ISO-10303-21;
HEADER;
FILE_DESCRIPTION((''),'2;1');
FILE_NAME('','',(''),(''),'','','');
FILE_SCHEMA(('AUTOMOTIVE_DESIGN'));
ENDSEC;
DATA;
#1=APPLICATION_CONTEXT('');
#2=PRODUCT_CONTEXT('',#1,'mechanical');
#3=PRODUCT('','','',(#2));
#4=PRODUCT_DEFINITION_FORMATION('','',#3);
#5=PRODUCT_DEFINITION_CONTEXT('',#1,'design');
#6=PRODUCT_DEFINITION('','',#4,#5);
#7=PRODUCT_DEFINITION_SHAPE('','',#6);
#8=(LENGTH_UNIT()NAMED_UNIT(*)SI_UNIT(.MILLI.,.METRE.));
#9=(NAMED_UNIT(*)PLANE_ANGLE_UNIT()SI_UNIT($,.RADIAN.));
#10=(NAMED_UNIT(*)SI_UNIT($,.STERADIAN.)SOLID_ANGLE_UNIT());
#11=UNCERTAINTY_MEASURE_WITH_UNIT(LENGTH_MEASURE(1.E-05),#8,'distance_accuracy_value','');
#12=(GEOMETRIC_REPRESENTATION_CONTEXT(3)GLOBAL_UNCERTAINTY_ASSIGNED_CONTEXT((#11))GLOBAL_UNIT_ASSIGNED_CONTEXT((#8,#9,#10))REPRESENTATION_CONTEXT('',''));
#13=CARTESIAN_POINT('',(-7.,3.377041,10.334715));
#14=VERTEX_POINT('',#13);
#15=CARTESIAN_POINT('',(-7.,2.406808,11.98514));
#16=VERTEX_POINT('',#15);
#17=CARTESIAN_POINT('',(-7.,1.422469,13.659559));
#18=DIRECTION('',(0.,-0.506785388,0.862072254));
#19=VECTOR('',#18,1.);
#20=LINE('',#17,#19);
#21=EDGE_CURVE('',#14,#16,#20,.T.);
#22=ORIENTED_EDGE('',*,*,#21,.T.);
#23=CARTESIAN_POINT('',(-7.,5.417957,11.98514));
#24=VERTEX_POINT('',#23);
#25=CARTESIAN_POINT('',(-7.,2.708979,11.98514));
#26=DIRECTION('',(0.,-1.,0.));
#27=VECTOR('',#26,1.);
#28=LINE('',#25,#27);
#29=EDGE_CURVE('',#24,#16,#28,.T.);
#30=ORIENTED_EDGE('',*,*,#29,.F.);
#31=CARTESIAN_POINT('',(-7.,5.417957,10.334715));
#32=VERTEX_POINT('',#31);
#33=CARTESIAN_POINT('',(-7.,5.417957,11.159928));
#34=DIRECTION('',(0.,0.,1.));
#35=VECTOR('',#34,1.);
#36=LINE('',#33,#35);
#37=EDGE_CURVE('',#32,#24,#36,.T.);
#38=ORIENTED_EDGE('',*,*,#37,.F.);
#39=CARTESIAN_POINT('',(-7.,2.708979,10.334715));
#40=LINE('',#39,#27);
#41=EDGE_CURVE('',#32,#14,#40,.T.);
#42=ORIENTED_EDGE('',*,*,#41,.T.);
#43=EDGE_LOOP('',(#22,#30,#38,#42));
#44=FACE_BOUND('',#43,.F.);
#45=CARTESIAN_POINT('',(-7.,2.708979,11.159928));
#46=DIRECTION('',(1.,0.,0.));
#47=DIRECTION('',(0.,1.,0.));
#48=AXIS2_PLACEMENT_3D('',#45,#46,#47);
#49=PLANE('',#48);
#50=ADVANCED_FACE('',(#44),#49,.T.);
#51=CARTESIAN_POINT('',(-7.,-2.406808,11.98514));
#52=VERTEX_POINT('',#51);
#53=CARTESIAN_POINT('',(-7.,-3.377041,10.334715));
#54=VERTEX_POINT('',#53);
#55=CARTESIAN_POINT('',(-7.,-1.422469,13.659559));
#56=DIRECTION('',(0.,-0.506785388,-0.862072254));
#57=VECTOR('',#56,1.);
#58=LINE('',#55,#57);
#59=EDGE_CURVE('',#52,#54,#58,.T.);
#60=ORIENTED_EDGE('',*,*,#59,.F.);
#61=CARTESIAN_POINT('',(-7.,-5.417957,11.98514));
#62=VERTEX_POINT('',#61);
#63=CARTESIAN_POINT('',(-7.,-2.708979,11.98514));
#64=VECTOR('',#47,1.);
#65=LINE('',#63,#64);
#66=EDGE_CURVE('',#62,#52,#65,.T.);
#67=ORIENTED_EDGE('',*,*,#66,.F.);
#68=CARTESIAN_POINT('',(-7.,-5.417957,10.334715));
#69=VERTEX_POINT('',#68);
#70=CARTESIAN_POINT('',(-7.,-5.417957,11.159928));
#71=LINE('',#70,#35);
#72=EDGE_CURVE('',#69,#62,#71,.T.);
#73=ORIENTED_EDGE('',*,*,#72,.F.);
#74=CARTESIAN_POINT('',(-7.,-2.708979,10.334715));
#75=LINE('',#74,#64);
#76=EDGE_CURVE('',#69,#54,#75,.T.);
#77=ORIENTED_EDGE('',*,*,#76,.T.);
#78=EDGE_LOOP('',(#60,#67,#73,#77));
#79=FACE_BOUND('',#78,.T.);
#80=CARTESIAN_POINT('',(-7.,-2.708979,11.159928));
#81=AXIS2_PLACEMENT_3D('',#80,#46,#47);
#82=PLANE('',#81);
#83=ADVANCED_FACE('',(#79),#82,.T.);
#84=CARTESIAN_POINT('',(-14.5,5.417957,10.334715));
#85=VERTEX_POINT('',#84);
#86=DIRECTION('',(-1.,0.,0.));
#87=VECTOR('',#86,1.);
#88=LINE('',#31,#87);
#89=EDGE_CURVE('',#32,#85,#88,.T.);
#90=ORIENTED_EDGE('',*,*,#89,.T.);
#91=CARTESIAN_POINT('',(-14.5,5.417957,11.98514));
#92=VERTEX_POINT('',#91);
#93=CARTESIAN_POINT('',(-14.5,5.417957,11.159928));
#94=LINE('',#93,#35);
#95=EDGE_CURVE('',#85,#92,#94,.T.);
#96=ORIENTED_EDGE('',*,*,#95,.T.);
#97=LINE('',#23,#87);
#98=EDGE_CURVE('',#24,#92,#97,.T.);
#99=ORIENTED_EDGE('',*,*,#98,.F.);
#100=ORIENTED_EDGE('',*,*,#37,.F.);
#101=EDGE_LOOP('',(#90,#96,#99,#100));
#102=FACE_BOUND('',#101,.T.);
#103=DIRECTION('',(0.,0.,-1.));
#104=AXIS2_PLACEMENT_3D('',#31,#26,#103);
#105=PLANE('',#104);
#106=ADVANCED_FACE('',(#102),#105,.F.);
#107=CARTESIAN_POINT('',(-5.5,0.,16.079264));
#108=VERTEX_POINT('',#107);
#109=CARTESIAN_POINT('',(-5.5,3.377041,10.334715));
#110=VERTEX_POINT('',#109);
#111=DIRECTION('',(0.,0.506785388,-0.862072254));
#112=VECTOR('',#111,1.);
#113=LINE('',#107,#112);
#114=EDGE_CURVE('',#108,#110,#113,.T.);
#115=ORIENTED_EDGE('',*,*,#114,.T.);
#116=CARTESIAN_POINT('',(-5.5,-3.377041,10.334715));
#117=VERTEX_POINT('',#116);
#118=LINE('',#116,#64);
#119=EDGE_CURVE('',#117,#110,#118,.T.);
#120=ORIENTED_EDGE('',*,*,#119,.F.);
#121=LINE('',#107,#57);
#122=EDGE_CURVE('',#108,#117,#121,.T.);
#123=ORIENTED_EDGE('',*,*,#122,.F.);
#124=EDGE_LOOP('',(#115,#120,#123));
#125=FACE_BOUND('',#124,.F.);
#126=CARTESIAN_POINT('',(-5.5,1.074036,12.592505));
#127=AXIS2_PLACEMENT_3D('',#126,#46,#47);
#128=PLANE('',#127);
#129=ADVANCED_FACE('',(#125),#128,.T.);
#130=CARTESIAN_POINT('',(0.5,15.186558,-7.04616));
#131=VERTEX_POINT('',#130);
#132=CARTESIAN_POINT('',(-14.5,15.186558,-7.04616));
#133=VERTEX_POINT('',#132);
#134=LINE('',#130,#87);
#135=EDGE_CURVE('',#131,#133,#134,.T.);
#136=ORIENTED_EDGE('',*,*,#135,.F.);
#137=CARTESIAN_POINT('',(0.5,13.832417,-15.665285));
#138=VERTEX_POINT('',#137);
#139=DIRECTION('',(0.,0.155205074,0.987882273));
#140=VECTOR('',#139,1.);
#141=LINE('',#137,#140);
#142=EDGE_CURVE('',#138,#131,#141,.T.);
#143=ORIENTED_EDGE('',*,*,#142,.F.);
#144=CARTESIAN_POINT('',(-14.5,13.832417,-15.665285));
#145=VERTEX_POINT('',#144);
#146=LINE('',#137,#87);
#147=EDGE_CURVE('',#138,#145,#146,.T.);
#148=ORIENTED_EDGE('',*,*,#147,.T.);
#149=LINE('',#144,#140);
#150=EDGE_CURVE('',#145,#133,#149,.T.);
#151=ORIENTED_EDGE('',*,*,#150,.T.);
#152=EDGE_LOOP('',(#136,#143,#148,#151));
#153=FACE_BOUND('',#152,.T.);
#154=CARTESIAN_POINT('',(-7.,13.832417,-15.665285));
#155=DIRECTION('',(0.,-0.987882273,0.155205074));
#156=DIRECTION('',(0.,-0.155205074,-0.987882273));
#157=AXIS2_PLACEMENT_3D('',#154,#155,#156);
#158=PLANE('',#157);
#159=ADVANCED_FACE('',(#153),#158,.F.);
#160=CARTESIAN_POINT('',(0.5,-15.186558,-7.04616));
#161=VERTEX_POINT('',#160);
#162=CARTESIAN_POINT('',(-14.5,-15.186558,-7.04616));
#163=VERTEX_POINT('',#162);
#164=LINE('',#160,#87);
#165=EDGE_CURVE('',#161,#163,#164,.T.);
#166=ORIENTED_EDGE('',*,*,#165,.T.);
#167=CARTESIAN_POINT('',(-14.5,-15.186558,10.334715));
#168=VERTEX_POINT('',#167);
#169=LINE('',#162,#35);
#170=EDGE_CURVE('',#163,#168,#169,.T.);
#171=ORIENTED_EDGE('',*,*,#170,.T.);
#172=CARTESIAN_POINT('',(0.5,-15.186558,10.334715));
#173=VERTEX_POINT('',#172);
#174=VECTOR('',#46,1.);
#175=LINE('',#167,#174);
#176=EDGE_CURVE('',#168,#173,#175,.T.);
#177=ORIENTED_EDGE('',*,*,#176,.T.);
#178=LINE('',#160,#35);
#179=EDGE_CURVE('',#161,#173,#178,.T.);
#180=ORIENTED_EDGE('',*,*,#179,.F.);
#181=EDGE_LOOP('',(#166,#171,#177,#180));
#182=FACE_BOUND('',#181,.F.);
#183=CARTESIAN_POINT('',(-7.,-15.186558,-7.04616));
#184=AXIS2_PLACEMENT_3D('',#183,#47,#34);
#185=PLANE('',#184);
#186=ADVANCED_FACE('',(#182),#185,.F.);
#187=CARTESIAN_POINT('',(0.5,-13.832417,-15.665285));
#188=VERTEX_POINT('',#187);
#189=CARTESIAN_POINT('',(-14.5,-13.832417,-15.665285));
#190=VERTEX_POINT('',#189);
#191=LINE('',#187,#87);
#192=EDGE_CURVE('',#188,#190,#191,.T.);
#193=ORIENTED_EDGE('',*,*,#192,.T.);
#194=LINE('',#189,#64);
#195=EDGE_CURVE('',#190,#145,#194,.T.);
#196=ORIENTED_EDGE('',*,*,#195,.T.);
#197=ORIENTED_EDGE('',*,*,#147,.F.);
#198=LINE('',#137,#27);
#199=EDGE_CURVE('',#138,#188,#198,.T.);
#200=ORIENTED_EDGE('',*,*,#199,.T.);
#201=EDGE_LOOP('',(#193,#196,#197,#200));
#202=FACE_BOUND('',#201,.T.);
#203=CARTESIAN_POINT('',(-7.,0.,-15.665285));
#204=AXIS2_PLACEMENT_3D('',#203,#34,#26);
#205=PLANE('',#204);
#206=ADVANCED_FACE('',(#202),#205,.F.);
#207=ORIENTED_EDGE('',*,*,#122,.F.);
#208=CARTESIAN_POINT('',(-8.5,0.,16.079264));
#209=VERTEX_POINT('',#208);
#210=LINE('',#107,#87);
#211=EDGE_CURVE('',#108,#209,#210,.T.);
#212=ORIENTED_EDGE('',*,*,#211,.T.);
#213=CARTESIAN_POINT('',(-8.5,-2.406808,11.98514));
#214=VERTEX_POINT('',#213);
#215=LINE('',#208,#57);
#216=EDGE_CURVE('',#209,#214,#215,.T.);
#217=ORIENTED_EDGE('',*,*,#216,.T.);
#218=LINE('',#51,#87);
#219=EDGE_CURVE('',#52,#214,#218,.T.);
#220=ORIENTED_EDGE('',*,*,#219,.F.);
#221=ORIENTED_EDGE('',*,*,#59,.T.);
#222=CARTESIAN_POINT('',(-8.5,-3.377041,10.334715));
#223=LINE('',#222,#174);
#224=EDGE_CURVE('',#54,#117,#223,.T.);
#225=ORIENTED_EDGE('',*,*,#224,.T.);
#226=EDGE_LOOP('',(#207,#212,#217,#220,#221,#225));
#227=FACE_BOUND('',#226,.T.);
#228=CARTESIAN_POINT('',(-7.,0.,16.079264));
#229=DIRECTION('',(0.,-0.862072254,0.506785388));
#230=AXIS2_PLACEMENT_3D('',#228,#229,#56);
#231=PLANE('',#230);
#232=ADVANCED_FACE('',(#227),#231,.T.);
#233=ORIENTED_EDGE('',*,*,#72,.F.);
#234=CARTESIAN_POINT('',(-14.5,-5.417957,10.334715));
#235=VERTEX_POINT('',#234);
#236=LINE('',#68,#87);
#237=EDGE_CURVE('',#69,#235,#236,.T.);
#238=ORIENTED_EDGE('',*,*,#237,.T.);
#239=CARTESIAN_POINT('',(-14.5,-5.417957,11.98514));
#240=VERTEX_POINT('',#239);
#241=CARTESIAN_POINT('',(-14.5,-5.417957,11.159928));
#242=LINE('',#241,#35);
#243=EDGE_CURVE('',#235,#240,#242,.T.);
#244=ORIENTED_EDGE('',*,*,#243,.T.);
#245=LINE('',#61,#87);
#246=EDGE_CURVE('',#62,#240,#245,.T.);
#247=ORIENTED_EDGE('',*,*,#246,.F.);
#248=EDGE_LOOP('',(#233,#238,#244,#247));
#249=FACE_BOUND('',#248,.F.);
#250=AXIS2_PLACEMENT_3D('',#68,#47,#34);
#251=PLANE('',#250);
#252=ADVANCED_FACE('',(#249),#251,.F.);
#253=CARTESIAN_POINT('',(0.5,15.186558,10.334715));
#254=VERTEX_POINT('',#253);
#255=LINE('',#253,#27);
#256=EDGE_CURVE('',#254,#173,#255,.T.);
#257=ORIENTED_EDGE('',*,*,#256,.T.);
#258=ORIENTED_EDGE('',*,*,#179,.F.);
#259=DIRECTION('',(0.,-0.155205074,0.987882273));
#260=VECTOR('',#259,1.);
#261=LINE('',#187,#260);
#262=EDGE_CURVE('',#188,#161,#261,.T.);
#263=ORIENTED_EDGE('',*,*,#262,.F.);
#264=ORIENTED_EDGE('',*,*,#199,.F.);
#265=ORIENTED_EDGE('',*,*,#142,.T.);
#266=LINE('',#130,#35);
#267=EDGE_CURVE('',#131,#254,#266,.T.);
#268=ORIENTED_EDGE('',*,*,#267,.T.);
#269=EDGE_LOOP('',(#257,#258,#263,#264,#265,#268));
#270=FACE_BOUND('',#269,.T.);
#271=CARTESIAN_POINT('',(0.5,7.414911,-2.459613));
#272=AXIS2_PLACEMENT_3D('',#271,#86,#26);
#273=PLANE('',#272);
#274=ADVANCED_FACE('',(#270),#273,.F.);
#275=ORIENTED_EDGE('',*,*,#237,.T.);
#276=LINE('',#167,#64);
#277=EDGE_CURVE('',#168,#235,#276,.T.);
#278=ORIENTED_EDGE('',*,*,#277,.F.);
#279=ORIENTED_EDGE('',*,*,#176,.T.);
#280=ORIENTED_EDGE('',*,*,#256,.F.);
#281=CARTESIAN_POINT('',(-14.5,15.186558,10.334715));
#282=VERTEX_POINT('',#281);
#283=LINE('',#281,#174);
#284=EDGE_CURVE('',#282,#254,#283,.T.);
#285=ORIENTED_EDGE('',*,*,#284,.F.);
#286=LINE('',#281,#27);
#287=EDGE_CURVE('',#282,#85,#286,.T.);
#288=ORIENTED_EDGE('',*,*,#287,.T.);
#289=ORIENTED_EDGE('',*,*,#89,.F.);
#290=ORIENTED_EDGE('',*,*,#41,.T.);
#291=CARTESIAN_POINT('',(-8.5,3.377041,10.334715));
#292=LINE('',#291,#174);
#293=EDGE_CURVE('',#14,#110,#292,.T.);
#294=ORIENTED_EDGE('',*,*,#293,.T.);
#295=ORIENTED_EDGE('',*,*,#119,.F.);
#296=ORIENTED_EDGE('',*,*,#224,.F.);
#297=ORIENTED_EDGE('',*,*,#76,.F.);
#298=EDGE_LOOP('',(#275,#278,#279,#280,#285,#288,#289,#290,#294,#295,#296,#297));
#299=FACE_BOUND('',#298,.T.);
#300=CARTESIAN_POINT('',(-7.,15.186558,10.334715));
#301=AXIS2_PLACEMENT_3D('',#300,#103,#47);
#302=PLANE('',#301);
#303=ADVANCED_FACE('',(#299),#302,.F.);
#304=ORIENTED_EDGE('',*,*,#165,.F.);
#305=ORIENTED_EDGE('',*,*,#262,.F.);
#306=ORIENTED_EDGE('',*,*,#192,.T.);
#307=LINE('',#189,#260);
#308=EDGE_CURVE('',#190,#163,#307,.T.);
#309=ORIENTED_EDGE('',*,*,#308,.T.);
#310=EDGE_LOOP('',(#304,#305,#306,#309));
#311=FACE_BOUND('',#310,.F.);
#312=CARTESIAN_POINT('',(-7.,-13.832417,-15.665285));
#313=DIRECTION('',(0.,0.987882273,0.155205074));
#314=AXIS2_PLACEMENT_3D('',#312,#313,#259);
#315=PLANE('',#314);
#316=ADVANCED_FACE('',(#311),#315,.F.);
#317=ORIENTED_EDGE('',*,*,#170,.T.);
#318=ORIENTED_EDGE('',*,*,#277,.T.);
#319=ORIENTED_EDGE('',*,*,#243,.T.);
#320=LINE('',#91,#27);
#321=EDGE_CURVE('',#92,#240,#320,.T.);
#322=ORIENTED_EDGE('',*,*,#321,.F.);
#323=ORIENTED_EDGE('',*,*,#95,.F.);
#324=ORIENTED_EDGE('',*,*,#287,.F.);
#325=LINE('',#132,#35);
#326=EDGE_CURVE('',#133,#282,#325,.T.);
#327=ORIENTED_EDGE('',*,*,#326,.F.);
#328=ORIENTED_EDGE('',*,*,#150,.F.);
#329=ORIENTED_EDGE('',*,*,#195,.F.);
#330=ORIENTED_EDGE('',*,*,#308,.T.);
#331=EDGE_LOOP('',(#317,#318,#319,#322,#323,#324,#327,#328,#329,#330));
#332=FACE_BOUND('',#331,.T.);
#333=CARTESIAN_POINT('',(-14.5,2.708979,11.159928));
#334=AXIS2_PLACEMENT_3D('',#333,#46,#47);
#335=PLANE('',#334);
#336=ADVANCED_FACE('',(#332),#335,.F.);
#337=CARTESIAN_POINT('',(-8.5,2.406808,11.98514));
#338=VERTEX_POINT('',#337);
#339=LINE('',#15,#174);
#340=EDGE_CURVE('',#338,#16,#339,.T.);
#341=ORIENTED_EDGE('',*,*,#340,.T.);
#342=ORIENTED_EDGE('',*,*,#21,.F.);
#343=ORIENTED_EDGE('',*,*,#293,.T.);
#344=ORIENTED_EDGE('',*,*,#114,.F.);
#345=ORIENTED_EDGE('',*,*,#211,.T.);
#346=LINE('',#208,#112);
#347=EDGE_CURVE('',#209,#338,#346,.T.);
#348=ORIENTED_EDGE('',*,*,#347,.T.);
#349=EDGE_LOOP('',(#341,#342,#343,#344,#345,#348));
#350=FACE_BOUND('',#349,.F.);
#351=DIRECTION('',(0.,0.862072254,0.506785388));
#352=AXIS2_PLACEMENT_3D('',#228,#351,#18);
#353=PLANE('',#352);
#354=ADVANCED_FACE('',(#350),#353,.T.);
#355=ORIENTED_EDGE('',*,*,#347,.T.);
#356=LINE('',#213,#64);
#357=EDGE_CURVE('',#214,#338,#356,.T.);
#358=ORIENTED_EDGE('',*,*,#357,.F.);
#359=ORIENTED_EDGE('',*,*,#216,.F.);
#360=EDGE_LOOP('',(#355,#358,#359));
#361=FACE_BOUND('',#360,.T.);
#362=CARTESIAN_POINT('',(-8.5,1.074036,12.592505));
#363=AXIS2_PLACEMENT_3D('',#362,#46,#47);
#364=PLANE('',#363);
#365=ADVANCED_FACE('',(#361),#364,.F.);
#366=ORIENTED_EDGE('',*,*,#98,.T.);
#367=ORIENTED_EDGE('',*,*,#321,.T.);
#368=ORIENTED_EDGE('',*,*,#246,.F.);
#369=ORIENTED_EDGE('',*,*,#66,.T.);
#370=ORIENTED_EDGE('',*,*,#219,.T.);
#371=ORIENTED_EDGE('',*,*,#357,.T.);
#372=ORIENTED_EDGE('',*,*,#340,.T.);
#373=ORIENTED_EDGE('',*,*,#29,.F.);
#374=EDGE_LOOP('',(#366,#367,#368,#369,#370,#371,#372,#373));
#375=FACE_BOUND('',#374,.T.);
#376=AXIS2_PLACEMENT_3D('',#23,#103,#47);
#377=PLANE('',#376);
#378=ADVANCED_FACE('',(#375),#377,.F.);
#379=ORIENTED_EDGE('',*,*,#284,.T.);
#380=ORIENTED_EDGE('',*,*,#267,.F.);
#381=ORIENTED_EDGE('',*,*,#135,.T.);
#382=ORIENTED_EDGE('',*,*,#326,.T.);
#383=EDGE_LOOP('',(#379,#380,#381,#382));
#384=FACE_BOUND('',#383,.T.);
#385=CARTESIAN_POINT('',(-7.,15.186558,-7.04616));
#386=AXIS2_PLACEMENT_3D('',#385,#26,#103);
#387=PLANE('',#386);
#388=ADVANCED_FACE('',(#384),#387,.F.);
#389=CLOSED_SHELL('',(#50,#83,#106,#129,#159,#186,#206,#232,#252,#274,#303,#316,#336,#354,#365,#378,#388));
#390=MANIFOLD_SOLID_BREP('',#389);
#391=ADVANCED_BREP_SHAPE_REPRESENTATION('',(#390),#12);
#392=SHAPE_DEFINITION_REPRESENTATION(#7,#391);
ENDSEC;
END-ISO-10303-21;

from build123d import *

# Parameters (mm, degrees)
PAD007_DEPTH = 7.5
SKETCH022_W  = 5.417957
SKETCH022_H  = 1.6504247125
PAD008_DEPTH = 7.5
PAD009_DEPTH = 1.5


with BuildPart() as part:
    # Sketch021 → Pad007 (new body, symmetric)
    with BuildSketch(Plane.YZ):
        Polygon((0, -11.6652847125), (-13.832417, -11.6652847125), (-15.186558, -3.04616), (-15.186558, 14.3347152875), (0, 14.3347152875), align=None)
    pad007 = extrude(amount=PAD007_DEPTH, both=True)

    # Sketch022 → Pad008 (join)
    with BuildSketch(Plane.YZ):
        with Locations((-2.7089785, 15.1599276438)):
            Rectangle(SKETCH022_W, SKETCH022_H)
    pad008 = extrude(amount=-PAD008_DEPTH)

    # Sketch023 → Pad009 (join, symmetric)
    with BuildSketch(Plane.YZ):
        Polygon((0, 20.079264), (-3.377041, 14.3347152875), (0, 14.3347152875), align=None)
    pad009 = extrude(amount=PAD009_DEPTH, both=True)

    # Mirrored006: Pad007, Pad008, Pad009 across Sketch021 V_Axis
    add(pad007.mirror(Plane(origin=(0, 0, 0), x_dir=(1, 0, 0), z_dir=(0, 1, 0))))
    add(pad008.mirror(Plane(origin=(0, 0, 0), x_dir=(1, 0, 0), z_dir=(0, 1, 0))))
    add(pad009.mirror(Plane(origin=(0, 0, 0), x_dir=(1, 0, 0), z_dir=(0, 1, 0))))


with BuildPart() as part_1:
    # Body003 placement: moved
    add(part.part.moved(Location((-7, 0, -4))))


solid = part_1.part
